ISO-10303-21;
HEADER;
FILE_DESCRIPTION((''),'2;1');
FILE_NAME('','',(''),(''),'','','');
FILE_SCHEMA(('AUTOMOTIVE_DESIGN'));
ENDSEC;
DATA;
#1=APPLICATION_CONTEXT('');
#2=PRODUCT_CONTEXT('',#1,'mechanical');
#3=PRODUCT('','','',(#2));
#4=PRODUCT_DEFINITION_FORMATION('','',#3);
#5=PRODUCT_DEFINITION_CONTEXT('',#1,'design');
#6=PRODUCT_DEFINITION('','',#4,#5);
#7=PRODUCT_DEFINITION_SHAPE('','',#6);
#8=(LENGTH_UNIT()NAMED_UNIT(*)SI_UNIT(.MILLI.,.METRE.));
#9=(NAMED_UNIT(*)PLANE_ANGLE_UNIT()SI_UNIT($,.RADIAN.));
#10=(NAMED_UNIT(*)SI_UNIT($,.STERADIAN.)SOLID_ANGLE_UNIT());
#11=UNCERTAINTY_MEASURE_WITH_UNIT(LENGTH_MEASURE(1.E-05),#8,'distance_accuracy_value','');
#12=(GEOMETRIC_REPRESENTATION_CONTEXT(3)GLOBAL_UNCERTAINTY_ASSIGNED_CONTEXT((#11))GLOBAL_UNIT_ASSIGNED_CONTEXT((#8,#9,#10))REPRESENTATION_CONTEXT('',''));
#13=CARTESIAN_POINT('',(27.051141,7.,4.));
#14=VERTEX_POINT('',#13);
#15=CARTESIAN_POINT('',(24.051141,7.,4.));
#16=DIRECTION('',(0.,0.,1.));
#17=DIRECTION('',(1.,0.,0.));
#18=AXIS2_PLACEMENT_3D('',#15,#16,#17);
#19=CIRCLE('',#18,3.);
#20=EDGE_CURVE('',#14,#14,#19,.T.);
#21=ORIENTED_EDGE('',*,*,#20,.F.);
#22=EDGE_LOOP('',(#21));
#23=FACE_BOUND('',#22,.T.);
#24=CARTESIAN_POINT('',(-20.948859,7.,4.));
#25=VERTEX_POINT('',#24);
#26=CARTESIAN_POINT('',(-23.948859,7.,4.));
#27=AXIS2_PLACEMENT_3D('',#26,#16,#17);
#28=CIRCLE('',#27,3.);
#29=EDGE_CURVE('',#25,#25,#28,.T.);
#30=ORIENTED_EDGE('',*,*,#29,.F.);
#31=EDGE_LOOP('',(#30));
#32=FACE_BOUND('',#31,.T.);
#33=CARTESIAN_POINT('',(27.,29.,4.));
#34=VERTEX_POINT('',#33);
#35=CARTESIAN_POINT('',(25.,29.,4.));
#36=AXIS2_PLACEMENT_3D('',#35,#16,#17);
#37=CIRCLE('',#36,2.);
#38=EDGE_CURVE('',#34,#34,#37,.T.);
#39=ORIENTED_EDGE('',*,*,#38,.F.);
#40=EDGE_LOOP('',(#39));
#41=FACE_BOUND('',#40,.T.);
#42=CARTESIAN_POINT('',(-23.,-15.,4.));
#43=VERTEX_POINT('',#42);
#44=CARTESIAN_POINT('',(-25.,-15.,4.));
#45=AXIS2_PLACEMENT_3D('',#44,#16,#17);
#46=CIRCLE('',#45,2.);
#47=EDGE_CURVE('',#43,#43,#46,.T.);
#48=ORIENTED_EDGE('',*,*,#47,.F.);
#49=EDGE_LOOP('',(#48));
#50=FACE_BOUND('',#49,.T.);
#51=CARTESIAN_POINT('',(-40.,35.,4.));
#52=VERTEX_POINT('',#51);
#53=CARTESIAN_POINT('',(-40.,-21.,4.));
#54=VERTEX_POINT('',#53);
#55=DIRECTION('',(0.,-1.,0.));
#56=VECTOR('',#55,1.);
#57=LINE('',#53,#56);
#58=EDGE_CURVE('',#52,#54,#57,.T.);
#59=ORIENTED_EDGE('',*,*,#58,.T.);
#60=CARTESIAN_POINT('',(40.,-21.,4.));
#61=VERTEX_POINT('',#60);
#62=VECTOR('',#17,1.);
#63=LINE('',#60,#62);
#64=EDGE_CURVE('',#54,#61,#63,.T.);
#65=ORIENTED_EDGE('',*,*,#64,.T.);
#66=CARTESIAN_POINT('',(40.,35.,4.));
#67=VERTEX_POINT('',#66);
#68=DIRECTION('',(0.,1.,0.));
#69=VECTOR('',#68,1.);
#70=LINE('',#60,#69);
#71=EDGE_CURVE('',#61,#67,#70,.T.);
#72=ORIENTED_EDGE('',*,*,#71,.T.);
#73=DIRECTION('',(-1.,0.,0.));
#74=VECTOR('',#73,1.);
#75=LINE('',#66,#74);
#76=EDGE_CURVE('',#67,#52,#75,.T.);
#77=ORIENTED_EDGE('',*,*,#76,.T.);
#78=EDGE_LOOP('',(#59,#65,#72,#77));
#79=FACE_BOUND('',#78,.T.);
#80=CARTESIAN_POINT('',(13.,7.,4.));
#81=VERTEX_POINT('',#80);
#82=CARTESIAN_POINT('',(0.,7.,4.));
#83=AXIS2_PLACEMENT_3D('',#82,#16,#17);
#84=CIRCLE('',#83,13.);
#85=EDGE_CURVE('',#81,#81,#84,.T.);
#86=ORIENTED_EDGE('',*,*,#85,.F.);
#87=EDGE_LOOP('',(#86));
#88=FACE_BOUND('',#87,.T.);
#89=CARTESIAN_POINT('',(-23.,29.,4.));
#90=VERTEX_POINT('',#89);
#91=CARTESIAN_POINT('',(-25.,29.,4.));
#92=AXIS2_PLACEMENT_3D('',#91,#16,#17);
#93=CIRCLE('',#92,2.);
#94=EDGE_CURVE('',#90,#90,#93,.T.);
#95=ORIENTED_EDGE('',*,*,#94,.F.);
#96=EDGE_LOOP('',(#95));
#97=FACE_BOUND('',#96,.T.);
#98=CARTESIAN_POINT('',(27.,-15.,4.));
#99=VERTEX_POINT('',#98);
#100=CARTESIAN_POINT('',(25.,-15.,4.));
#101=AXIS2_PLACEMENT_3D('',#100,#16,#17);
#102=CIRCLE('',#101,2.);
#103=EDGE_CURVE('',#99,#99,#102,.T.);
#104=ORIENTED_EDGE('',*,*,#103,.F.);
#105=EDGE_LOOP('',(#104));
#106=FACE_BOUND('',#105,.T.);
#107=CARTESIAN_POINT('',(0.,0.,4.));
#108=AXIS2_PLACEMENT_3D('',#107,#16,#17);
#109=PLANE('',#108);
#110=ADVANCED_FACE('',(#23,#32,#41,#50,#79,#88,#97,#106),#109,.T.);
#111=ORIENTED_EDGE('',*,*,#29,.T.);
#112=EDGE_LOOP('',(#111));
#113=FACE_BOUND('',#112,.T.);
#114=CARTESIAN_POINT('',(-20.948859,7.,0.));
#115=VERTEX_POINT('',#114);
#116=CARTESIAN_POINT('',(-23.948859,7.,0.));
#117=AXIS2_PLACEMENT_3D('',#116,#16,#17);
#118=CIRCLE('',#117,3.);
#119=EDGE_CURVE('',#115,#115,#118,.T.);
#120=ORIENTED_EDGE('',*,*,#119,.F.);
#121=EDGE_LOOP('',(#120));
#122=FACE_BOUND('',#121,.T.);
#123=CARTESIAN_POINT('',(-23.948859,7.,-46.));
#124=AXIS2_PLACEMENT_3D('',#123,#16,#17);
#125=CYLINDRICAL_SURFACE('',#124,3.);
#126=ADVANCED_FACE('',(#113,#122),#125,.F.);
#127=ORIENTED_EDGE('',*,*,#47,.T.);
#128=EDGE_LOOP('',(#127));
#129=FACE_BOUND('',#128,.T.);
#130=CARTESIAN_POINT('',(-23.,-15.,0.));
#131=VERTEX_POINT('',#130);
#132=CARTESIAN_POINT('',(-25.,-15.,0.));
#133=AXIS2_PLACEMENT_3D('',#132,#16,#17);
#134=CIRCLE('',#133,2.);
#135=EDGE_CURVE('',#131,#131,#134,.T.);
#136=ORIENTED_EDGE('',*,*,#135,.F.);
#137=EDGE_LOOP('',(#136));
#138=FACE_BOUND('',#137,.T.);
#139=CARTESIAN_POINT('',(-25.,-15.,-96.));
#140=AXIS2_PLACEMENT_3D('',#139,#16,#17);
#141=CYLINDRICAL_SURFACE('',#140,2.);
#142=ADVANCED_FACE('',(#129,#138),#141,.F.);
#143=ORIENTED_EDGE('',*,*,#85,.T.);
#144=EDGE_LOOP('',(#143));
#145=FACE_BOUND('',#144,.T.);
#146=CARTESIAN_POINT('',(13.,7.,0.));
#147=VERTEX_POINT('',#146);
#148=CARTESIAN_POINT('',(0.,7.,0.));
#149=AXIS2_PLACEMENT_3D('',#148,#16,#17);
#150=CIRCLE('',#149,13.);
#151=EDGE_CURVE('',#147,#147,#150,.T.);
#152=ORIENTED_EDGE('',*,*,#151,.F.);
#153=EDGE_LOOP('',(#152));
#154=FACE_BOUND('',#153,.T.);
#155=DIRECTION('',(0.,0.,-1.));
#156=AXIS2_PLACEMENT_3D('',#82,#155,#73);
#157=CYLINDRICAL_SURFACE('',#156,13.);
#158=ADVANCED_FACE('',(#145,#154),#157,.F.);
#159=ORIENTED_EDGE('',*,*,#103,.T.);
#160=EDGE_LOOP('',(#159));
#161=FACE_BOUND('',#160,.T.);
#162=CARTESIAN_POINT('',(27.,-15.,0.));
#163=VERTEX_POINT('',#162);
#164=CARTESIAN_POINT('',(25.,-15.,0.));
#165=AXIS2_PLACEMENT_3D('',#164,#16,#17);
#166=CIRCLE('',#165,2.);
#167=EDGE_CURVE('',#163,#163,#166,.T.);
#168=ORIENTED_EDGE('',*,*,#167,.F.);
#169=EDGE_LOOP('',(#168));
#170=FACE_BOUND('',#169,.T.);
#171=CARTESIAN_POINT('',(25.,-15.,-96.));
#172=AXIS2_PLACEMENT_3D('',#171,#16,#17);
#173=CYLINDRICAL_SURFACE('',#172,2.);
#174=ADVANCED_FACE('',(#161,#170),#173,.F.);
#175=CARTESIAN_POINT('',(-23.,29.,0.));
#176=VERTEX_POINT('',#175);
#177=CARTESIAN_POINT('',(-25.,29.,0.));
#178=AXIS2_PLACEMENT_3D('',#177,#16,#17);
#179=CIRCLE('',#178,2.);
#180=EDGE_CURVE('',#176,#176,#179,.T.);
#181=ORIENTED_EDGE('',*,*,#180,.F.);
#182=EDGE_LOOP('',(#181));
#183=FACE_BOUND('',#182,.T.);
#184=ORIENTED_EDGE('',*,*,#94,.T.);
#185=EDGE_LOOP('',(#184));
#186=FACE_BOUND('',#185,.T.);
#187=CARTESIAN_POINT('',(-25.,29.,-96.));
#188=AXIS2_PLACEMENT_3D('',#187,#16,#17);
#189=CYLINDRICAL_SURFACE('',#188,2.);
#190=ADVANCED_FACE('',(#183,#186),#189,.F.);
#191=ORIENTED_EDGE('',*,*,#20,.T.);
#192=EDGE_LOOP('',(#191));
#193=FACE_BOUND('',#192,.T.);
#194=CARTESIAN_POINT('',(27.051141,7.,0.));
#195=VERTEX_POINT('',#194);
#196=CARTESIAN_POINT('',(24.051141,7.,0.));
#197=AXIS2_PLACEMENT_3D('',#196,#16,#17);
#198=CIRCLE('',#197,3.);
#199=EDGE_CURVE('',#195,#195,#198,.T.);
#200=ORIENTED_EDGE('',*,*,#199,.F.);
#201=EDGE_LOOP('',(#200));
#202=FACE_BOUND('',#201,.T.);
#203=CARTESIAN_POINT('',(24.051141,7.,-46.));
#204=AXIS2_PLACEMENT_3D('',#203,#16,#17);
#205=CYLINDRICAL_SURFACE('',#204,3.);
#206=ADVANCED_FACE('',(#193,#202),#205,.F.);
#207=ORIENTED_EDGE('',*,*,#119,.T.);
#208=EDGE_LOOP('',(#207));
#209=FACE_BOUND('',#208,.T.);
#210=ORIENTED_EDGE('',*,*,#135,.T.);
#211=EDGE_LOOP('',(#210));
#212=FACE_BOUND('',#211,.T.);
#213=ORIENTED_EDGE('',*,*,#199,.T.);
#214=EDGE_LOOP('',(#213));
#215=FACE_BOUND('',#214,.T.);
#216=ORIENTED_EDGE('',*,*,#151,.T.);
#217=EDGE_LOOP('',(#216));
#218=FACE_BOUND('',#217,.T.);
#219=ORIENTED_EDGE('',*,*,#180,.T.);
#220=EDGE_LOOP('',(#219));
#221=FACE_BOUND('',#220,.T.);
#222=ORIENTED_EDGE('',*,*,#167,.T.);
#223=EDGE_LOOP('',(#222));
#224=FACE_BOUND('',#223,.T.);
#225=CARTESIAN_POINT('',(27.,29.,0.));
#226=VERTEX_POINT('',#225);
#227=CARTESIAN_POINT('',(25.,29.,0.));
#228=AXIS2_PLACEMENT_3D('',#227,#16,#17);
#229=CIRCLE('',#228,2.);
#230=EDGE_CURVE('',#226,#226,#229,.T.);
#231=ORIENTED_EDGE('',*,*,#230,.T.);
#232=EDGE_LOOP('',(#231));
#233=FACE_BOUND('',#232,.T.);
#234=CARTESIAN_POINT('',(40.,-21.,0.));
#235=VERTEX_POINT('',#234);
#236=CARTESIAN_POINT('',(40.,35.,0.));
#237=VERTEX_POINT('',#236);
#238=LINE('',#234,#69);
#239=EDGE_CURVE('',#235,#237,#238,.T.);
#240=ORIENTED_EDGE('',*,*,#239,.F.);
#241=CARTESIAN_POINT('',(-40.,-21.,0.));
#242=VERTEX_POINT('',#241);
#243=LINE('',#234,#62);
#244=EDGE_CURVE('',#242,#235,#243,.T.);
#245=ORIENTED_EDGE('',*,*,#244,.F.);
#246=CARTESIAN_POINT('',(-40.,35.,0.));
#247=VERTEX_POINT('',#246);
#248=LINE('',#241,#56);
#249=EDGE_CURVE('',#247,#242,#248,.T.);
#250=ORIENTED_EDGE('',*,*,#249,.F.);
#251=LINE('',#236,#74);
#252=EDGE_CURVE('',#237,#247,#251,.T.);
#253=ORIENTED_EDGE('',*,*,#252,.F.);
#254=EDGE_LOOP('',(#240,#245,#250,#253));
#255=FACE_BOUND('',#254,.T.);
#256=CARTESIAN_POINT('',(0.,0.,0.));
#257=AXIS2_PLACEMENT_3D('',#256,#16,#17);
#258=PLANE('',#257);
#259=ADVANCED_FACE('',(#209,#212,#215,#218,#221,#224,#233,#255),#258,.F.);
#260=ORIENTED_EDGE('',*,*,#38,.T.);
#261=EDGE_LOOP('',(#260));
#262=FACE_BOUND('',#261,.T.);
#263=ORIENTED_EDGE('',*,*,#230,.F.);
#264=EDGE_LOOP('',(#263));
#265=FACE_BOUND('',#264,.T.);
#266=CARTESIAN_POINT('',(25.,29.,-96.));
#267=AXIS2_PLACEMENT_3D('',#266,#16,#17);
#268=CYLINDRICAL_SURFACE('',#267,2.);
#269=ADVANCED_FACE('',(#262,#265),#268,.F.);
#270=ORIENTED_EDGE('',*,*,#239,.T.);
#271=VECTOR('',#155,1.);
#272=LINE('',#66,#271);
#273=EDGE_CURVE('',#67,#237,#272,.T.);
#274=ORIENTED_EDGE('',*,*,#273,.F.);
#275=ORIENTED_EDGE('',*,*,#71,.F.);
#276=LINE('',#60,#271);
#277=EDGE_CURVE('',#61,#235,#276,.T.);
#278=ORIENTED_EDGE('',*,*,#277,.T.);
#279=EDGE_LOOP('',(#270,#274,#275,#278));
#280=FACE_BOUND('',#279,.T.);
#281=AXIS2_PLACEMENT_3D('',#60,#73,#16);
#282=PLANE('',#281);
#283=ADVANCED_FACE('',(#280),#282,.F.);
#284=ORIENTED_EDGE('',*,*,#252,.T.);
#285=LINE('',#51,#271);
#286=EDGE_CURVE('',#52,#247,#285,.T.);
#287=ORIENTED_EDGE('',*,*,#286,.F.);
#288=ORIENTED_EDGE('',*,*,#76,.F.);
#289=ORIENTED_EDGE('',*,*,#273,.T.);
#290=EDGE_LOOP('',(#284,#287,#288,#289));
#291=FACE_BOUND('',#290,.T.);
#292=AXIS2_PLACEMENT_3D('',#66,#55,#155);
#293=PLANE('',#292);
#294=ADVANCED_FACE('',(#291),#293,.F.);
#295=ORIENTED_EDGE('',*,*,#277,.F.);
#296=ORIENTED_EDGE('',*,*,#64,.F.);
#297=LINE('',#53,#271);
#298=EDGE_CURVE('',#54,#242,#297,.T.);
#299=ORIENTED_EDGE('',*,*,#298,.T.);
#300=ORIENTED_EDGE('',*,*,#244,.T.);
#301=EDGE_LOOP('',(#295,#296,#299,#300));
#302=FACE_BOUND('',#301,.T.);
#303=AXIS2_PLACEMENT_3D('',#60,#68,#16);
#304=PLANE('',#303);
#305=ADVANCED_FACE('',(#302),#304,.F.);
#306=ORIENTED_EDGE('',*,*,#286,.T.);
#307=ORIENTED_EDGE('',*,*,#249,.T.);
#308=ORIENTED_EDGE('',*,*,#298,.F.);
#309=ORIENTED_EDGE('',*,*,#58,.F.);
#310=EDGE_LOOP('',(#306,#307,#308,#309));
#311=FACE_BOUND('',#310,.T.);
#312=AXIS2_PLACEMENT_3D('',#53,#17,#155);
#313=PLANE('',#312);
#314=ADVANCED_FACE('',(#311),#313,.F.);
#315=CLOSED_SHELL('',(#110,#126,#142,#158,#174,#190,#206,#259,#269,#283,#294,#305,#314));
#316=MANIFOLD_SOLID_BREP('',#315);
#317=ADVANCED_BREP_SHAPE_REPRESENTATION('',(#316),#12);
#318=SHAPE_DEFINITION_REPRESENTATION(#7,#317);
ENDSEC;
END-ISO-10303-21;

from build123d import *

# Parameters (mm, degrees)
SKETCH_1_W                  = 80
SKETCH_1_H                  = 56
SKETCH_1_R                  = 13
EXTRUDE_1_DEPTH             = 4
SKETCH_2_R                  = 2
CUT_EXTRUDE_1_DEPTH         = 100
PATTERN_LINEAR_1_COUNT      = 2
PATTERN_LINEAR_1_PITCH      = 44
PATTERN_LINEAR_1_COUNT_DIR2 = 2
PATTERN_LINEAR_1_PITCH_DIR2 = 50
SKETCH_3_R                  = 3
CUT_EXTRUDE_2_DEPTH         = 50


with BuildPart() as part:
    # 草图1 → 凸台-拉伸1 (new body)
    with BuildSketch(Plane.XY):
        with Locations((0, 7)):
            Rectangle(SKETCH_1_W, SKETCH_1_H)
        with Locations((0, 7)):
            Circle(SKETCH_1_R, mode=Mode.SUBTRACT)
    extrude(amount=EXTRUDE_1_DEPTH)

    # 草图2 → 切除-拉伸1 (cut)
    with BuildSketch(Plane.XY.offset(4)):
        with Locations((-25, -15)):
            Circle(SKETCH_2_R)
    cut_extrude_1 = extrude(amount=-CUT_EXTRUDE_1_DEPTH, mode=Mode.SUBTRACT)

    # 阵列(线性)1: Cut-Extrude 1 2 × 2
    with Locations(*[(j * PATTERN_LINEAR_1_PITCH_DIR2, i * PATTERN_LINEAR_1_PITCH, 0) for i in range(PATTERN_LINEAR_1_COUNT) for j in range(PATTERN_LINEAR_1_COUNT_DIR2) if (i, j) != (0, 0)]):
        add(cut_extrude_1, mode=Mode.SUBTRACT)

    # 草图3 → 切除-拉伸2 (cut)
    with BuildSketch(Plane.XY.offset(4)):
        with Locations((24.051141157, 7)):
            Circle(SKETCH_3_R)
        with Locations((-23.948858843, 7)):
            Circle(SKETCH_3_R)
    extrude(amount=-CUT_EXTRUDE_2_DEPTH, mode=Mode.SUBTRACT)


solid = part.part
